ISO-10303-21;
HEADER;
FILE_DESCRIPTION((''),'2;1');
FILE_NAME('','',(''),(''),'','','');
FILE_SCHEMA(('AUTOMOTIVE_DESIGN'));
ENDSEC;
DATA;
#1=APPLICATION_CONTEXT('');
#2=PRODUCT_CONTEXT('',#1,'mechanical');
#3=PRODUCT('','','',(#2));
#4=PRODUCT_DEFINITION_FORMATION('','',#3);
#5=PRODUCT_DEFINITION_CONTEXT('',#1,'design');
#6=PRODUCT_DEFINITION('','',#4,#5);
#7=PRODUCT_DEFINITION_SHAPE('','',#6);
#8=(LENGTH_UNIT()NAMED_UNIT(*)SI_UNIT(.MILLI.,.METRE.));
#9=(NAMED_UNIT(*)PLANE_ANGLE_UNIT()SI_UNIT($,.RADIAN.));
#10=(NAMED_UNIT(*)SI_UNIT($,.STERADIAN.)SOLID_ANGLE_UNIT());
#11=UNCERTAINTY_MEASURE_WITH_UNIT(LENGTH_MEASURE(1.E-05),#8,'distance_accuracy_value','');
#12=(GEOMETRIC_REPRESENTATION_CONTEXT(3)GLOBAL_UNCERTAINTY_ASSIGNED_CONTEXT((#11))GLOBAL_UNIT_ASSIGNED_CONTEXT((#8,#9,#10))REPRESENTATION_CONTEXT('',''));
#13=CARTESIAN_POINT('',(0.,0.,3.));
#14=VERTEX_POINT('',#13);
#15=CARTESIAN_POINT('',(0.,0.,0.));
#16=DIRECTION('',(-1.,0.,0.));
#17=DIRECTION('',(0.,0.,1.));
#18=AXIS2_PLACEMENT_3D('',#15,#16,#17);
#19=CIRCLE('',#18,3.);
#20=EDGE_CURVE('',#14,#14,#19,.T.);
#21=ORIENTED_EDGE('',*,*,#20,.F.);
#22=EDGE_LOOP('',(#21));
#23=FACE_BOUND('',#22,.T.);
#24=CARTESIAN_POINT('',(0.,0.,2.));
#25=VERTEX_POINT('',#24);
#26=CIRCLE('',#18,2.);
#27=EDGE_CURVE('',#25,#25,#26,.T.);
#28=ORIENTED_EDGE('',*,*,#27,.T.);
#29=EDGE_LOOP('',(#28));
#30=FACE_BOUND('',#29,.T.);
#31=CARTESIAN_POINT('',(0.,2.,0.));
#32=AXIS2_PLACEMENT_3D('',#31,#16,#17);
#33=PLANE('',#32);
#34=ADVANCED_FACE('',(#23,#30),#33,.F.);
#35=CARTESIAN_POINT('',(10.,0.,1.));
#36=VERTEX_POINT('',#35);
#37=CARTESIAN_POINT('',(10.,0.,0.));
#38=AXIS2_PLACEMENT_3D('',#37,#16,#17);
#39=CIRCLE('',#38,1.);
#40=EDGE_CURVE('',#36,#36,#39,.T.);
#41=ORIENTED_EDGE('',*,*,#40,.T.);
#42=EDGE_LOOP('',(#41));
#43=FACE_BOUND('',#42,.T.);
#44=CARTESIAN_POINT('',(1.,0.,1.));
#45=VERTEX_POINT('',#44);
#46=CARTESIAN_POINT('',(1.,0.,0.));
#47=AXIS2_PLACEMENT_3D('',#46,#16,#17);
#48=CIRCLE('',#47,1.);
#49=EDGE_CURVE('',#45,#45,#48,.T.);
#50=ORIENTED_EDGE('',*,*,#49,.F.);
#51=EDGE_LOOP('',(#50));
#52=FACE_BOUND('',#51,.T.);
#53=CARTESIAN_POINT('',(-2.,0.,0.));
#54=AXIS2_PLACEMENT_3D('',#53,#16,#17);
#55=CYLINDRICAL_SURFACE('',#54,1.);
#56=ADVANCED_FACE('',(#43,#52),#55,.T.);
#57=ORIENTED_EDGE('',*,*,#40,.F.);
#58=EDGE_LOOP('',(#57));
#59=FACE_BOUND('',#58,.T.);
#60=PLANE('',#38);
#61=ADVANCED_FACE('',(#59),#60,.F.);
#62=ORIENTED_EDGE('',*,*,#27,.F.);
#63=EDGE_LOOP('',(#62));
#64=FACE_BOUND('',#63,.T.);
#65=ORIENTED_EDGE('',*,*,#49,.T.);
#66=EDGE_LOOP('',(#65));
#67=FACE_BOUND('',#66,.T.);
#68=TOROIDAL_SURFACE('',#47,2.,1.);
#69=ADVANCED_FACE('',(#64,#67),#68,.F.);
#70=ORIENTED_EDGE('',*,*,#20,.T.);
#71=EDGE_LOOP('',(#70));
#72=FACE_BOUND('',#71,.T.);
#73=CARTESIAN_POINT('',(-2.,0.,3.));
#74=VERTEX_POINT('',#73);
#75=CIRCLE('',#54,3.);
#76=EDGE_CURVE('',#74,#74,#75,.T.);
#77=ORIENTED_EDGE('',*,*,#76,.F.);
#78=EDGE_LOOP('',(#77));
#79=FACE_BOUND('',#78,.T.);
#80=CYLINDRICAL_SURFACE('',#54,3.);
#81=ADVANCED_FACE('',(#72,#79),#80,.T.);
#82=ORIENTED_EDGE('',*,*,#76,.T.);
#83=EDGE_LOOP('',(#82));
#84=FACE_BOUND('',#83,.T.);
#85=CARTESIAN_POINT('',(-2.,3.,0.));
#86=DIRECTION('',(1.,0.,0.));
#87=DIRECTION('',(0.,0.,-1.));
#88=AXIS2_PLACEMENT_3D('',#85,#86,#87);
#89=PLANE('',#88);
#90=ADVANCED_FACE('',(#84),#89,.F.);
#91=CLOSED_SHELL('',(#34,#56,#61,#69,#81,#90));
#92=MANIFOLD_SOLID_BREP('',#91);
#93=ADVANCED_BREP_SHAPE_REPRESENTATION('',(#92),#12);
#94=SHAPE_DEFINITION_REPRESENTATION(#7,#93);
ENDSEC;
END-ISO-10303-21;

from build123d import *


with BuildPart() as part:
    # Sketch1 → Revolve1 (revolve)
    with BuildSketch(Plane.XY, mode=Mode.PRIVATE) as revolve1_sk:
        with BuildLine():
            Line((-2, 0), (10, 0))
            Line((10, 0), (10, 1))
            Line((10, 1), (1, 1))
            ThreePointArc((1, 1), (0.292893219, 1.292893219), (0, 2))
            Line((0, 2), (0, 3))
            Line((0, 3), (-2, 3))
            Line((-2, 3), (-2, 0))
        make_face()
    revolve(revolve1_sk.sketch.rotate(Axis((-2, 0, 0), (1, 0, 0)), 90), axis=Axis((-2, 0, 0), (1, 0, 0)))


solid = part.part
